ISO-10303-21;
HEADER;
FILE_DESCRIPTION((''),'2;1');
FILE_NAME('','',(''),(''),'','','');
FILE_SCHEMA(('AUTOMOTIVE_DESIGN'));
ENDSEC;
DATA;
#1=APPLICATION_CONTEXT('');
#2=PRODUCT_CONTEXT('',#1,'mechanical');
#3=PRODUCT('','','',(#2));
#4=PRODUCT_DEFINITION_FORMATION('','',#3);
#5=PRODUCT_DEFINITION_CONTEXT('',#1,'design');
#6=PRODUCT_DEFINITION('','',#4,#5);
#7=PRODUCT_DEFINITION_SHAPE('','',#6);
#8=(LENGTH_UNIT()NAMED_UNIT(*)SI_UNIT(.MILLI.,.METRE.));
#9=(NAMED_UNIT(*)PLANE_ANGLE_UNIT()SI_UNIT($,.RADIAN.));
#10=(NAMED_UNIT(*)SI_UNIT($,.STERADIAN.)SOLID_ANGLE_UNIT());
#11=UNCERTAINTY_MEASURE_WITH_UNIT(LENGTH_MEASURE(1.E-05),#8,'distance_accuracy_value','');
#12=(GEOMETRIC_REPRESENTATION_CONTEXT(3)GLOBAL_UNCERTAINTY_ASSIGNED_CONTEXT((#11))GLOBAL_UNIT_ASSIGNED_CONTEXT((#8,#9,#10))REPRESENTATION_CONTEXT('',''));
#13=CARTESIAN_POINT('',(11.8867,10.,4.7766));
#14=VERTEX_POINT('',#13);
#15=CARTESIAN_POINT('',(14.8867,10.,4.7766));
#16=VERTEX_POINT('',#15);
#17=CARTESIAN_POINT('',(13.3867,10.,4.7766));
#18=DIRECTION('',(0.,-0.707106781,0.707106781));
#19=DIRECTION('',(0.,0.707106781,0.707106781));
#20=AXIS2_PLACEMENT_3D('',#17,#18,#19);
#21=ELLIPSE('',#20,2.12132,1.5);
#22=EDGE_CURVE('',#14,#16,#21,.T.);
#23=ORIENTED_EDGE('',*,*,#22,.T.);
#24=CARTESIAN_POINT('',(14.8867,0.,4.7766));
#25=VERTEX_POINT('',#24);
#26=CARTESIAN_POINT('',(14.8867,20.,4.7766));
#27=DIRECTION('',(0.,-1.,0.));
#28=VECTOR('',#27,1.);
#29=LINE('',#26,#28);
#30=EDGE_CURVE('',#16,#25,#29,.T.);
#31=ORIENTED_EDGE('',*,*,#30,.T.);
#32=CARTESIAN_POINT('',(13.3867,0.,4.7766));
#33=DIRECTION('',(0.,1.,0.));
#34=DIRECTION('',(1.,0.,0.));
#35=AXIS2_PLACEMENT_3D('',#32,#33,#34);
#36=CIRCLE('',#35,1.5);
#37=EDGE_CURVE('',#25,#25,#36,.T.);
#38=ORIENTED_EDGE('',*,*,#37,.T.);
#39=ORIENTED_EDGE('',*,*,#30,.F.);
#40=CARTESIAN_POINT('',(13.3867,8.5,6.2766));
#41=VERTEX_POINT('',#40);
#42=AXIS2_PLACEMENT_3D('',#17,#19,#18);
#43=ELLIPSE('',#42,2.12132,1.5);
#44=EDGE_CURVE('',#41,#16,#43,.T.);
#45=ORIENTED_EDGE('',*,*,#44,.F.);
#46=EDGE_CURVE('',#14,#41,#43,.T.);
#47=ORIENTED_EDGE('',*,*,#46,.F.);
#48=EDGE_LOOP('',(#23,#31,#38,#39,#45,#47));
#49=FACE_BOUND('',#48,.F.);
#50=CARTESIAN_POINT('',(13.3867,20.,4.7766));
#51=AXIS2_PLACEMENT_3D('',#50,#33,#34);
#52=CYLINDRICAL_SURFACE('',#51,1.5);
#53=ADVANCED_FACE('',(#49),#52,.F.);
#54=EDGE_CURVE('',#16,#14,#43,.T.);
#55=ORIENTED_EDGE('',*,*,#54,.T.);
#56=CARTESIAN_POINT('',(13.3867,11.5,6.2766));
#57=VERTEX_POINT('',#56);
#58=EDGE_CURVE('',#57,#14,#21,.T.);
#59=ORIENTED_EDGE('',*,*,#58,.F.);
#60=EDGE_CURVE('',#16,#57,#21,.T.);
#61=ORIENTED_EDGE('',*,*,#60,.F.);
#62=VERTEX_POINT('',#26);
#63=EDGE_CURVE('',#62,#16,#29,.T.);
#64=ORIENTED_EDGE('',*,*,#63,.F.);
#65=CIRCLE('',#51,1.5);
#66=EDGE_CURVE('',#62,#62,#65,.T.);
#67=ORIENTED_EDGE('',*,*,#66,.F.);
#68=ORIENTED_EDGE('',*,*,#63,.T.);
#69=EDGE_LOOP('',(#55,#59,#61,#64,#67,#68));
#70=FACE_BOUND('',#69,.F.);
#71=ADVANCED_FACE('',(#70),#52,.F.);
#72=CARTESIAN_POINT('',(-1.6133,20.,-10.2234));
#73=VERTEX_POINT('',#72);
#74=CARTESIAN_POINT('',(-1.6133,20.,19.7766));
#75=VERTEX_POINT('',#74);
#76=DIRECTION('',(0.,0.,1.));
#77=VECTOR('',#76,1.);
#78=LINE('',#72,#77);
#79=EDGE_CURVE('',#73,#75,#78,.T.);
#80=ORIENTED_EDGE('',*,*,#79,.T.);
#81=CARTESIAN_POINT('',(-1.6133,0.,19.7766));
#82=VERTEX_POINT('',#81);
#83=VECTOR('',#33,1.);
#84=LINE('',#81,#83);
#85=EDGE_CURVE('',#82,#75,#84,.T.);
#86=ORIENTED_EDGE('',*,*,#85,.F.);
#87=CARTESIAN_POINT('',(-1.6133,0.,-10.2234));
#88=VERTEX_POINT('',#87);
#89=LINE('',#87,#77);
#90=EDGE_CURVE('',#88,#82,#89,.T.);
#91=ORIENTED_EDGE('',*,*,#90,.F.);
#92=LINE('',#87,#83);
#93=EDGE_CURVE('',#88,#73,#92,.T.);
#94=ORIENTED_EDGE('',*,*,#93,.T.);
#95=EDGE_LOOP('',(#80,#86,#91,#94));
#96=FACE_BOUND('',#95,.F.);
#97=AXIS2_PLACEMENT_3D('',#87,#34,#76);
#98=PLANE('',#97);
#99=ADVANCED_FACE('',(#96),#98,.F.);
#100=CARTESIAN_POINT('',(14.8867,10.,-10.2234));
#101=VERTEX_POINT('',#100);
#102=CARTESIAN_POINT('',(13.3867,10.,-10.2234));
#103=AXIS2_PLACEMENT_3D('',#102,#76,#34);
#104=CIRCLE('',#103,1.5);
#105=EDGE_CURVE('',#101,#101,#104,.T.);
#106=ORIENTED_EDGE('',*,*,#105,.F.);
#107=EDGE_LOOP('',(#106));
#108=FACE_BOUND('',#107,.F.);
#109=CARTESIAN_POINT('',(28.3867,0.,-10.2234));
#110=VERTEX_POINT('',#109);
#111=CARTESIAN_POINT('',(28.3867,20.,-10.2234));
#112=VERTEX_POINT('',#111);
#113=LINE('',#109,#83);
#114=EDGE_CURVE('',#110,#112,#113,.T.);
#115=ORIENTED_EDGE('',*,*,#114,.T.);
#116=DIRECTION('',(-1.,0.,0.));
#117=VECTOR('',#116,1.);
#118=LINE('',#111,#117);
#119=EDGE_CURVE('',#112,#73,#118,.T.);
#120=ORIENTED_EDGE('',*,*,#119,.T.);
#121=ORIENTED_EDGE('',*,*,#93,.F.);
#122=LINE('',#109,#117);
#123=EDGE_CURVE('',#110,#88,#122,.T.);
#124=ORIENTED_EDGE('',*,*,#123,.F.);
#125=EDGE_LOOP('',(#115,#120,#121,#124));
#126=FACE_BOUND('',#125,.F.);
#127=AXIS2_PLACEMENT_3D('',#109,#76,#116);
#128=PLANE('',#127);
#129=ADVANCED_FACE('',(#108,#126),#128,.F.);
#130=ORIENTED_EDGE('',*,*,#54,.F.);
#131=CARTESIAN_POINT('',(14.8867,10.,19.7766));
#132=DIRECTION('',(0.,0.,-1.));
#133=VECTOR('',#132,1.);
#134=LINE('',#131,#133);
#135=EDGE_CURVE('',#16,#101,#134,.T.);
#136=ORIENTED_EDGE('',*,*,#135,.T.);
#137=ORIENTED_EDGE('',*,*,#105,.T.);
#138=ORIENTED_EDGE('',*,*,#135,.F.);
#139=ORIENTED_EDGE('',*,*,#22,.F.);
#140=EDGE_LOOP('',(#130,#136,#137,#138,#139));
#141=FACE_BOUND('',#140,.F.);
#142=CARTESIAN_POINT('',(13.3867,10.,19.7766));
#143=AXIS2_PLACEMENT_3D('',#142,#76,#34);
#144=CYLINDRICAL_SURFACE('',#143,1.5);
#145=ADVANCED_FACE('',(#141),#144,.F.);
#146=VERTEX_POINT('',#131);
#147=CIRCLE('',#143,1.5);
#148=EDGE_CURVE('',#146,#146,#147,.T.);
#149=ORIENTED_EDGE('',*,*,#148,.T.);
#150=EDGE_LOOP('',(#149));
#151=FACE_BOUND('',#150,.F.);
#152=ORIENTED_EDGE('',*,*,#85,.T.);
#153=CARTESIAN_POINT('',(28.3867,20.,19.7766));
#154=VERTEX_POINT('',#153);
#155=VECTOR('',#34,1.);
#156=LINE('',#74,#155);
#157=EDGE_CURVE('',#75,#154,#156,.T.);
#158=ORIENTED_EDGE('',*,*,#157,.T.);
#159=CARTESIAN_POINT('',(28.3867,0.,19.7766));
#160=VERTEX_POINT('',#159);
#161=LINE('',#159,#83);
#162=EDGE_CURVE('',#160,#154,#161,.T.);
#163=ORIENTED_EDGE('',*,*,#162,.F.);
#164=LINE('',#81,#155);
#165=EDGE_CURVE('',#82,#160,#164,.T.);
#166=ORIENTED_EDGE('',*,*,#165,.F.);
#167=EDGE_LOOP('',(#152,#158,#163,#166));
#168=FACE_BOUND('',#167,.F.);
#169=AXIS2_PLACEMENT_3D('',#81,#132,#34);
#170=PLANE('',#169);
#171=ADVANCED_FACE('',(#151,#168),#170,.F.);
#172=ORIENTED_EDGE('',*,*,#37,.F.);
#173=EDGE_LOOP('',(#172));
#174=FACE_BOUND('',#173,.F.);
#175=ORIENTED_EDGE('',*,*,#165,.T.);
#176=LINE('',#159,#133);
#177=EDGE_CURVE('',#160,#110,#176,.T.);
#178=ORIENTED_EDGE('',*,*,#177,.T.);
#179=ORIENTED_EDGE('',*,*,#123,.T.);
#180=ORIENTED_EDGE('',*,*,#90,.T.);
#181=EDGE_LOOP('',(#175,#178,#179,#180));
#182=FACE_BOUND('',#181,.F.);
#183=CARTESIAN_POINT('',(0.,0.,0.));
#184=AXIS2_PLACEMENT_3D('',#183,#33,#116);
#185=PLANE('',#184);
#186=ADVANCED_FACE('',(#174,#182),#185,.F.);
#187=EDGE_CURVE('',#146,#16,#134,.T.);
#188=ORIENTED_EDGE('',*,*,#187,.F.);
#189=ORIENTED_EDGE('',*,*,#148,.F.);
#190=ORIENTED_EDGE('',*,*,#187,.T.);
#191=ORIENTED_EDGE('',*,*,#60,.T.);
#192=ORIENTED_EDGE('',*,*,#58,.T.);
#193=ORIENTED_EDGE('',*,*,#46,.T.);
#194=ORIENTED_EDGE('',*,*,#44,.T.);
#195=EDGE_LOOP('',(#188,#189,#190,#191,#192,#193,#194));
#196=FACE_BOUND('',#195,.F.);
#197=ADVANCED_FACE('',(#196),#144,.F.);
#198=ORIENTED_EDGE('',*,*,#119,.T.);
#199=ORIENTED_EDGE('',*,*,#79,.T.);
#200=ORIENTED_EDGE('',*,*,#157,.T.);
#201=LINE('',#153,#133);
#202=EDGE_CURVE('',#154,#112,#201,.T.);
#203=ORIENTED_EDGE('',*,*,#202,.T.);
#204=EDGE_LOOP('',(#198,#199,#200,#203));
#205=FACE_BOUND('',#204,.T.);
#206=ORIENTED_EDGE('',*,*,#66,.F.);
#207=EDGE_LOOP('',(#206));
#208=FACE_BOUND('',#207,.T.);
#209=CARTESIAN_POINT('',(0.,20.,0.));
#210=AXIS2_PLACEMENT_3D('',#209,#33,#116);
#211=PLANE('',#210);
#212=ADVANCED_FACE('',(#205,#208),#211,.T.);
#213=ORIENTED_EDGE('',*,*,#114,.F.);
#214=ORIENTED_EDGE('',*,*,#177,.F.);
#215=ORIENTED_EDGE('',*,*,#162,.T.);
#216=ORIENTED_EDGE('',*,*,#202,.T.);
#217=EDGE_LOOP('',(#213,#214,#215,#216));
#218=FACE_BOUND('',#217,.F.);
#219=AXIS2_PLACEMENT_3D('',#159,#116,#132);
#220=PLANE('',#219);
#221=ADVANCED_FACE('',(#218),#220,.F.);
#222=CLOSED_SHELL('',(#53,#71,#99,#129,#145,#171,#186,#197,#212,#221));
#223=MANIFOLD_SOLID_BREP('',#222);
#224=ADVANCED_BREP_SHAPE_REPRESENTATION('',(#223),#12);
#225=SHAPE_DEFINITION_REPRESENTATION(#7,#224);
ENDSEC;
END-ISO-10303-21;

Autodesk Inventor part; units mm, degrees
ref_plane "YZ Plane" through (0, 0, 0) normal (1, 0, 0) x (0, 1, 0)
ref_plane "XZ Plane" through (0, 0, 0) normal (0, 1, 0) x (-1, 0, 0)
ref_plane "XY Plane" through (0, 0, 0) normal (0, 0, 1) x (1, 0, 0)
sketch "Sketch1" plane through (0, 0, 0) normal (0, 1, 0) x (-1, 0, 0)
  line L0 (1.6133, 19.7766) -> (-28.3867, 19.7766)
  line L1 (-28.3867, 19.7766) -> (-28.3867, -10.2234)
  line L2 (-28.3867, -10.2234) -> (1.6133, -10.2234)
  line L3 (1.6133, -10.2234) -> (1.6133, 19.7766)
  point P0 (0, 0)
  dimension "d0" = 30
  dimension "d1" = 30
extrude "Extrusion1" add sketch "Sketch1" along normal blind 20
sketch "Sketch2" plane through (-1.6133, 0, 19.7766) normal (0, 0, 1) x (1, 0, 0)
  circle A0 centre (15, 10) radius 1.5
  line L0 (0, 0) -> (30, 0) projected
  line L1 (0, 0) -> (0, 20) projected
  point P0 (1.6133, 0)
  point P1 (0, 10)
  dimension "d4" = 3
  dimension "d5" = 10
  dimension "d6" = 15
extrude "Extrusion2" cut sketch "Sketch2" against normal blind 500
sketch "Sketch3" plane through (0, 20, 0) normal (0, 1, 0) x (1, 0, 0)
  circle A0 centre (13.3867, -4.7766) radius 1.5
  line L0 (28.3867, -19.7766) -> (28.3867, 10.2234) projected
  line L1 (28.3867, 10.2234) -> (-1.6133, 10.2234) projected
  point P0 (0, 0)
  dimension "d9" = 3
  dimension "d10" = 15
  dimension "d11" = 15
extrude "Extrusion3" cut sketch "Sketch3" against normal blind 500
properties part number "fengmingroboticarm2"
